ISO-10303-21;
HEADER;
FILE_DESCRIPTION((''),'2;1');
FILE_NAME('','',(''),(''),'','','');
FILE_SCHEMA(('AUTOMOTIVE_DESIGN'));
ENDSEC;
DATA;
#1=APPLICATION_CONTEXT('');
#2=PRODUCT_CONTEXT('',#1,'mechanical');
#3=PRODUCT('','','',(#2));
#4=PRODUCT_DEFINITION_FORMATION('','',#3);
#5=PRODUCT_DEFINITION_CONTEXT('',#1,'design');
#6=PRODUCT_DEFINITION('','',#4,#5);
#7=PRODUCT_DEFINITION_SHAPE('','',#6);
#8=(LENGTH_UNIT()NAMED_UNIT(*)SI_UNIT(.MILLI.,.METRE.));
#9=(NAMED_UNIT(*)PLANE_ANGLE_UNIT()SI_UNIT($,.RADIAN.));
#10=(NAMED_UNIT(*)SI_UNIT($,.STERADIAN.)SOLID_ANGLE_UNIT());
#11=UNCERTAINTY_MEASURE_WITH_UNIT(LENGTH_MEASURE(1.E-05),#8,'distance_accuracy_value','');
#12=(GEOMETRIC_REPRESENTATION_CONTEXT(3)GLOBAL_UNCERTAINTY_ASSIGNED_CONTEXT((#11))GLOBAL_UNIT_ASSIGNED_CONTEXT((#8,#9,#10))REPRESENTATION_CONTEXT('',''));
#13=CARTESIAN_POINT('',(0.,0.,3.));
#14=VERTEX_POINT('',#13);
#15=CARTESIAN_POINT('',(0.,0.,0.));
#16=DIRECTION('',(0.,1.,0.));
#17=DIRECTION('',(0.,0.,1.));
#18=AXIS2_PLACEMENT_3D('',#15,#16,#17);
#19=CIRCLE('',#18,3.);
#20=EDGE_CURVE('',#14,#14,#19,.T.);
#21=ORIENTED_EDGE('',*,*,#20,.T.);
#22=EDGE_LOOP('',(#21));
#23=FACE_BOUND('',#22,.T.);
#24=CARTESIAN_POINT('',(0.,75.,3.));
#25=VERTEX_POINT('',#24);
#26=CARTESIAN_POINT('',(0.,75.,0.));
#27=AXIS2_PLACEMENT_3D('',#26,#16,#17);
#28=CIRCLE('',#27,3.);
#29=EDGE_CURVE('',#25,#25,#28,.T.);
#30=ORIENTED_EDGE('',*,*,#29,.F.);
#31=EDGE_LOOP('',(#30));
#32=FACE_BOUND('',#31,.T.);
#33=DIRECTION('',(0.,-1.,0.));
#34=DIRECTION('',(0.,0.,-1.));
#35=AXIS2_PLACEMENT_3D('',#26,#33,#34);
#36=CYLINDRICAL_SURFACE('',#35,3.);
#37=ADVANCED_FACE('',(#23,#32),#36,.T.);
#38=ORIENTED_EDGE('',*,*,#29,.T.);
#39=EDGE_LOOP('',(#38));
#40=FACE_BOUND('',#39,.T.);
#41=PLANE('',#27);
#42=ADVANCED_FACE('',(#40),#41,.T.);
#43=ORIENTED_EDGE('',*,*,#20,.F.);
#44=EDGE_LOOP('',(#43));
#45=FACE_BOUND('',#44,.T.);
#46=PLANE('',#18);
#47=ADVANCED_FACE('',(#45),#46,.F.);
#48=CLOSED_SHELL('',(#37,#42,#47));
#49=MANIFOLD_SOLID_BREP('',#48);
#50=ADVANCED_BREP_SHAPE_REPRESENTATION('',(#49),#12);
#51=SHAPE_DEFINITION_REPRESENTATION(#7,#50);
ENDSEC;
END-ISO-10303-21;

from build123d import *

# Parameters (mm, degrees)
SKETCH1_R           = 3
BOSS_EXTRUDE1_DEPTH = 75


with BuildPart() as part:
    # Sketch1 → Boss-Extrude1 (new body)
    with BuildSketch(Plane(origin=(0, 0, 0), x_dir=(1, 0, 0), z_dir=(0, 1, 0))):
        with Locations(Location((0, 0, 0), (0, 0, 270))):  # turned: the seam where the file's is
            Circle(SKETCH1_R)
    extrude(amount=BOSS_EXTRUDE1_DEPTH)


solid = part.part
